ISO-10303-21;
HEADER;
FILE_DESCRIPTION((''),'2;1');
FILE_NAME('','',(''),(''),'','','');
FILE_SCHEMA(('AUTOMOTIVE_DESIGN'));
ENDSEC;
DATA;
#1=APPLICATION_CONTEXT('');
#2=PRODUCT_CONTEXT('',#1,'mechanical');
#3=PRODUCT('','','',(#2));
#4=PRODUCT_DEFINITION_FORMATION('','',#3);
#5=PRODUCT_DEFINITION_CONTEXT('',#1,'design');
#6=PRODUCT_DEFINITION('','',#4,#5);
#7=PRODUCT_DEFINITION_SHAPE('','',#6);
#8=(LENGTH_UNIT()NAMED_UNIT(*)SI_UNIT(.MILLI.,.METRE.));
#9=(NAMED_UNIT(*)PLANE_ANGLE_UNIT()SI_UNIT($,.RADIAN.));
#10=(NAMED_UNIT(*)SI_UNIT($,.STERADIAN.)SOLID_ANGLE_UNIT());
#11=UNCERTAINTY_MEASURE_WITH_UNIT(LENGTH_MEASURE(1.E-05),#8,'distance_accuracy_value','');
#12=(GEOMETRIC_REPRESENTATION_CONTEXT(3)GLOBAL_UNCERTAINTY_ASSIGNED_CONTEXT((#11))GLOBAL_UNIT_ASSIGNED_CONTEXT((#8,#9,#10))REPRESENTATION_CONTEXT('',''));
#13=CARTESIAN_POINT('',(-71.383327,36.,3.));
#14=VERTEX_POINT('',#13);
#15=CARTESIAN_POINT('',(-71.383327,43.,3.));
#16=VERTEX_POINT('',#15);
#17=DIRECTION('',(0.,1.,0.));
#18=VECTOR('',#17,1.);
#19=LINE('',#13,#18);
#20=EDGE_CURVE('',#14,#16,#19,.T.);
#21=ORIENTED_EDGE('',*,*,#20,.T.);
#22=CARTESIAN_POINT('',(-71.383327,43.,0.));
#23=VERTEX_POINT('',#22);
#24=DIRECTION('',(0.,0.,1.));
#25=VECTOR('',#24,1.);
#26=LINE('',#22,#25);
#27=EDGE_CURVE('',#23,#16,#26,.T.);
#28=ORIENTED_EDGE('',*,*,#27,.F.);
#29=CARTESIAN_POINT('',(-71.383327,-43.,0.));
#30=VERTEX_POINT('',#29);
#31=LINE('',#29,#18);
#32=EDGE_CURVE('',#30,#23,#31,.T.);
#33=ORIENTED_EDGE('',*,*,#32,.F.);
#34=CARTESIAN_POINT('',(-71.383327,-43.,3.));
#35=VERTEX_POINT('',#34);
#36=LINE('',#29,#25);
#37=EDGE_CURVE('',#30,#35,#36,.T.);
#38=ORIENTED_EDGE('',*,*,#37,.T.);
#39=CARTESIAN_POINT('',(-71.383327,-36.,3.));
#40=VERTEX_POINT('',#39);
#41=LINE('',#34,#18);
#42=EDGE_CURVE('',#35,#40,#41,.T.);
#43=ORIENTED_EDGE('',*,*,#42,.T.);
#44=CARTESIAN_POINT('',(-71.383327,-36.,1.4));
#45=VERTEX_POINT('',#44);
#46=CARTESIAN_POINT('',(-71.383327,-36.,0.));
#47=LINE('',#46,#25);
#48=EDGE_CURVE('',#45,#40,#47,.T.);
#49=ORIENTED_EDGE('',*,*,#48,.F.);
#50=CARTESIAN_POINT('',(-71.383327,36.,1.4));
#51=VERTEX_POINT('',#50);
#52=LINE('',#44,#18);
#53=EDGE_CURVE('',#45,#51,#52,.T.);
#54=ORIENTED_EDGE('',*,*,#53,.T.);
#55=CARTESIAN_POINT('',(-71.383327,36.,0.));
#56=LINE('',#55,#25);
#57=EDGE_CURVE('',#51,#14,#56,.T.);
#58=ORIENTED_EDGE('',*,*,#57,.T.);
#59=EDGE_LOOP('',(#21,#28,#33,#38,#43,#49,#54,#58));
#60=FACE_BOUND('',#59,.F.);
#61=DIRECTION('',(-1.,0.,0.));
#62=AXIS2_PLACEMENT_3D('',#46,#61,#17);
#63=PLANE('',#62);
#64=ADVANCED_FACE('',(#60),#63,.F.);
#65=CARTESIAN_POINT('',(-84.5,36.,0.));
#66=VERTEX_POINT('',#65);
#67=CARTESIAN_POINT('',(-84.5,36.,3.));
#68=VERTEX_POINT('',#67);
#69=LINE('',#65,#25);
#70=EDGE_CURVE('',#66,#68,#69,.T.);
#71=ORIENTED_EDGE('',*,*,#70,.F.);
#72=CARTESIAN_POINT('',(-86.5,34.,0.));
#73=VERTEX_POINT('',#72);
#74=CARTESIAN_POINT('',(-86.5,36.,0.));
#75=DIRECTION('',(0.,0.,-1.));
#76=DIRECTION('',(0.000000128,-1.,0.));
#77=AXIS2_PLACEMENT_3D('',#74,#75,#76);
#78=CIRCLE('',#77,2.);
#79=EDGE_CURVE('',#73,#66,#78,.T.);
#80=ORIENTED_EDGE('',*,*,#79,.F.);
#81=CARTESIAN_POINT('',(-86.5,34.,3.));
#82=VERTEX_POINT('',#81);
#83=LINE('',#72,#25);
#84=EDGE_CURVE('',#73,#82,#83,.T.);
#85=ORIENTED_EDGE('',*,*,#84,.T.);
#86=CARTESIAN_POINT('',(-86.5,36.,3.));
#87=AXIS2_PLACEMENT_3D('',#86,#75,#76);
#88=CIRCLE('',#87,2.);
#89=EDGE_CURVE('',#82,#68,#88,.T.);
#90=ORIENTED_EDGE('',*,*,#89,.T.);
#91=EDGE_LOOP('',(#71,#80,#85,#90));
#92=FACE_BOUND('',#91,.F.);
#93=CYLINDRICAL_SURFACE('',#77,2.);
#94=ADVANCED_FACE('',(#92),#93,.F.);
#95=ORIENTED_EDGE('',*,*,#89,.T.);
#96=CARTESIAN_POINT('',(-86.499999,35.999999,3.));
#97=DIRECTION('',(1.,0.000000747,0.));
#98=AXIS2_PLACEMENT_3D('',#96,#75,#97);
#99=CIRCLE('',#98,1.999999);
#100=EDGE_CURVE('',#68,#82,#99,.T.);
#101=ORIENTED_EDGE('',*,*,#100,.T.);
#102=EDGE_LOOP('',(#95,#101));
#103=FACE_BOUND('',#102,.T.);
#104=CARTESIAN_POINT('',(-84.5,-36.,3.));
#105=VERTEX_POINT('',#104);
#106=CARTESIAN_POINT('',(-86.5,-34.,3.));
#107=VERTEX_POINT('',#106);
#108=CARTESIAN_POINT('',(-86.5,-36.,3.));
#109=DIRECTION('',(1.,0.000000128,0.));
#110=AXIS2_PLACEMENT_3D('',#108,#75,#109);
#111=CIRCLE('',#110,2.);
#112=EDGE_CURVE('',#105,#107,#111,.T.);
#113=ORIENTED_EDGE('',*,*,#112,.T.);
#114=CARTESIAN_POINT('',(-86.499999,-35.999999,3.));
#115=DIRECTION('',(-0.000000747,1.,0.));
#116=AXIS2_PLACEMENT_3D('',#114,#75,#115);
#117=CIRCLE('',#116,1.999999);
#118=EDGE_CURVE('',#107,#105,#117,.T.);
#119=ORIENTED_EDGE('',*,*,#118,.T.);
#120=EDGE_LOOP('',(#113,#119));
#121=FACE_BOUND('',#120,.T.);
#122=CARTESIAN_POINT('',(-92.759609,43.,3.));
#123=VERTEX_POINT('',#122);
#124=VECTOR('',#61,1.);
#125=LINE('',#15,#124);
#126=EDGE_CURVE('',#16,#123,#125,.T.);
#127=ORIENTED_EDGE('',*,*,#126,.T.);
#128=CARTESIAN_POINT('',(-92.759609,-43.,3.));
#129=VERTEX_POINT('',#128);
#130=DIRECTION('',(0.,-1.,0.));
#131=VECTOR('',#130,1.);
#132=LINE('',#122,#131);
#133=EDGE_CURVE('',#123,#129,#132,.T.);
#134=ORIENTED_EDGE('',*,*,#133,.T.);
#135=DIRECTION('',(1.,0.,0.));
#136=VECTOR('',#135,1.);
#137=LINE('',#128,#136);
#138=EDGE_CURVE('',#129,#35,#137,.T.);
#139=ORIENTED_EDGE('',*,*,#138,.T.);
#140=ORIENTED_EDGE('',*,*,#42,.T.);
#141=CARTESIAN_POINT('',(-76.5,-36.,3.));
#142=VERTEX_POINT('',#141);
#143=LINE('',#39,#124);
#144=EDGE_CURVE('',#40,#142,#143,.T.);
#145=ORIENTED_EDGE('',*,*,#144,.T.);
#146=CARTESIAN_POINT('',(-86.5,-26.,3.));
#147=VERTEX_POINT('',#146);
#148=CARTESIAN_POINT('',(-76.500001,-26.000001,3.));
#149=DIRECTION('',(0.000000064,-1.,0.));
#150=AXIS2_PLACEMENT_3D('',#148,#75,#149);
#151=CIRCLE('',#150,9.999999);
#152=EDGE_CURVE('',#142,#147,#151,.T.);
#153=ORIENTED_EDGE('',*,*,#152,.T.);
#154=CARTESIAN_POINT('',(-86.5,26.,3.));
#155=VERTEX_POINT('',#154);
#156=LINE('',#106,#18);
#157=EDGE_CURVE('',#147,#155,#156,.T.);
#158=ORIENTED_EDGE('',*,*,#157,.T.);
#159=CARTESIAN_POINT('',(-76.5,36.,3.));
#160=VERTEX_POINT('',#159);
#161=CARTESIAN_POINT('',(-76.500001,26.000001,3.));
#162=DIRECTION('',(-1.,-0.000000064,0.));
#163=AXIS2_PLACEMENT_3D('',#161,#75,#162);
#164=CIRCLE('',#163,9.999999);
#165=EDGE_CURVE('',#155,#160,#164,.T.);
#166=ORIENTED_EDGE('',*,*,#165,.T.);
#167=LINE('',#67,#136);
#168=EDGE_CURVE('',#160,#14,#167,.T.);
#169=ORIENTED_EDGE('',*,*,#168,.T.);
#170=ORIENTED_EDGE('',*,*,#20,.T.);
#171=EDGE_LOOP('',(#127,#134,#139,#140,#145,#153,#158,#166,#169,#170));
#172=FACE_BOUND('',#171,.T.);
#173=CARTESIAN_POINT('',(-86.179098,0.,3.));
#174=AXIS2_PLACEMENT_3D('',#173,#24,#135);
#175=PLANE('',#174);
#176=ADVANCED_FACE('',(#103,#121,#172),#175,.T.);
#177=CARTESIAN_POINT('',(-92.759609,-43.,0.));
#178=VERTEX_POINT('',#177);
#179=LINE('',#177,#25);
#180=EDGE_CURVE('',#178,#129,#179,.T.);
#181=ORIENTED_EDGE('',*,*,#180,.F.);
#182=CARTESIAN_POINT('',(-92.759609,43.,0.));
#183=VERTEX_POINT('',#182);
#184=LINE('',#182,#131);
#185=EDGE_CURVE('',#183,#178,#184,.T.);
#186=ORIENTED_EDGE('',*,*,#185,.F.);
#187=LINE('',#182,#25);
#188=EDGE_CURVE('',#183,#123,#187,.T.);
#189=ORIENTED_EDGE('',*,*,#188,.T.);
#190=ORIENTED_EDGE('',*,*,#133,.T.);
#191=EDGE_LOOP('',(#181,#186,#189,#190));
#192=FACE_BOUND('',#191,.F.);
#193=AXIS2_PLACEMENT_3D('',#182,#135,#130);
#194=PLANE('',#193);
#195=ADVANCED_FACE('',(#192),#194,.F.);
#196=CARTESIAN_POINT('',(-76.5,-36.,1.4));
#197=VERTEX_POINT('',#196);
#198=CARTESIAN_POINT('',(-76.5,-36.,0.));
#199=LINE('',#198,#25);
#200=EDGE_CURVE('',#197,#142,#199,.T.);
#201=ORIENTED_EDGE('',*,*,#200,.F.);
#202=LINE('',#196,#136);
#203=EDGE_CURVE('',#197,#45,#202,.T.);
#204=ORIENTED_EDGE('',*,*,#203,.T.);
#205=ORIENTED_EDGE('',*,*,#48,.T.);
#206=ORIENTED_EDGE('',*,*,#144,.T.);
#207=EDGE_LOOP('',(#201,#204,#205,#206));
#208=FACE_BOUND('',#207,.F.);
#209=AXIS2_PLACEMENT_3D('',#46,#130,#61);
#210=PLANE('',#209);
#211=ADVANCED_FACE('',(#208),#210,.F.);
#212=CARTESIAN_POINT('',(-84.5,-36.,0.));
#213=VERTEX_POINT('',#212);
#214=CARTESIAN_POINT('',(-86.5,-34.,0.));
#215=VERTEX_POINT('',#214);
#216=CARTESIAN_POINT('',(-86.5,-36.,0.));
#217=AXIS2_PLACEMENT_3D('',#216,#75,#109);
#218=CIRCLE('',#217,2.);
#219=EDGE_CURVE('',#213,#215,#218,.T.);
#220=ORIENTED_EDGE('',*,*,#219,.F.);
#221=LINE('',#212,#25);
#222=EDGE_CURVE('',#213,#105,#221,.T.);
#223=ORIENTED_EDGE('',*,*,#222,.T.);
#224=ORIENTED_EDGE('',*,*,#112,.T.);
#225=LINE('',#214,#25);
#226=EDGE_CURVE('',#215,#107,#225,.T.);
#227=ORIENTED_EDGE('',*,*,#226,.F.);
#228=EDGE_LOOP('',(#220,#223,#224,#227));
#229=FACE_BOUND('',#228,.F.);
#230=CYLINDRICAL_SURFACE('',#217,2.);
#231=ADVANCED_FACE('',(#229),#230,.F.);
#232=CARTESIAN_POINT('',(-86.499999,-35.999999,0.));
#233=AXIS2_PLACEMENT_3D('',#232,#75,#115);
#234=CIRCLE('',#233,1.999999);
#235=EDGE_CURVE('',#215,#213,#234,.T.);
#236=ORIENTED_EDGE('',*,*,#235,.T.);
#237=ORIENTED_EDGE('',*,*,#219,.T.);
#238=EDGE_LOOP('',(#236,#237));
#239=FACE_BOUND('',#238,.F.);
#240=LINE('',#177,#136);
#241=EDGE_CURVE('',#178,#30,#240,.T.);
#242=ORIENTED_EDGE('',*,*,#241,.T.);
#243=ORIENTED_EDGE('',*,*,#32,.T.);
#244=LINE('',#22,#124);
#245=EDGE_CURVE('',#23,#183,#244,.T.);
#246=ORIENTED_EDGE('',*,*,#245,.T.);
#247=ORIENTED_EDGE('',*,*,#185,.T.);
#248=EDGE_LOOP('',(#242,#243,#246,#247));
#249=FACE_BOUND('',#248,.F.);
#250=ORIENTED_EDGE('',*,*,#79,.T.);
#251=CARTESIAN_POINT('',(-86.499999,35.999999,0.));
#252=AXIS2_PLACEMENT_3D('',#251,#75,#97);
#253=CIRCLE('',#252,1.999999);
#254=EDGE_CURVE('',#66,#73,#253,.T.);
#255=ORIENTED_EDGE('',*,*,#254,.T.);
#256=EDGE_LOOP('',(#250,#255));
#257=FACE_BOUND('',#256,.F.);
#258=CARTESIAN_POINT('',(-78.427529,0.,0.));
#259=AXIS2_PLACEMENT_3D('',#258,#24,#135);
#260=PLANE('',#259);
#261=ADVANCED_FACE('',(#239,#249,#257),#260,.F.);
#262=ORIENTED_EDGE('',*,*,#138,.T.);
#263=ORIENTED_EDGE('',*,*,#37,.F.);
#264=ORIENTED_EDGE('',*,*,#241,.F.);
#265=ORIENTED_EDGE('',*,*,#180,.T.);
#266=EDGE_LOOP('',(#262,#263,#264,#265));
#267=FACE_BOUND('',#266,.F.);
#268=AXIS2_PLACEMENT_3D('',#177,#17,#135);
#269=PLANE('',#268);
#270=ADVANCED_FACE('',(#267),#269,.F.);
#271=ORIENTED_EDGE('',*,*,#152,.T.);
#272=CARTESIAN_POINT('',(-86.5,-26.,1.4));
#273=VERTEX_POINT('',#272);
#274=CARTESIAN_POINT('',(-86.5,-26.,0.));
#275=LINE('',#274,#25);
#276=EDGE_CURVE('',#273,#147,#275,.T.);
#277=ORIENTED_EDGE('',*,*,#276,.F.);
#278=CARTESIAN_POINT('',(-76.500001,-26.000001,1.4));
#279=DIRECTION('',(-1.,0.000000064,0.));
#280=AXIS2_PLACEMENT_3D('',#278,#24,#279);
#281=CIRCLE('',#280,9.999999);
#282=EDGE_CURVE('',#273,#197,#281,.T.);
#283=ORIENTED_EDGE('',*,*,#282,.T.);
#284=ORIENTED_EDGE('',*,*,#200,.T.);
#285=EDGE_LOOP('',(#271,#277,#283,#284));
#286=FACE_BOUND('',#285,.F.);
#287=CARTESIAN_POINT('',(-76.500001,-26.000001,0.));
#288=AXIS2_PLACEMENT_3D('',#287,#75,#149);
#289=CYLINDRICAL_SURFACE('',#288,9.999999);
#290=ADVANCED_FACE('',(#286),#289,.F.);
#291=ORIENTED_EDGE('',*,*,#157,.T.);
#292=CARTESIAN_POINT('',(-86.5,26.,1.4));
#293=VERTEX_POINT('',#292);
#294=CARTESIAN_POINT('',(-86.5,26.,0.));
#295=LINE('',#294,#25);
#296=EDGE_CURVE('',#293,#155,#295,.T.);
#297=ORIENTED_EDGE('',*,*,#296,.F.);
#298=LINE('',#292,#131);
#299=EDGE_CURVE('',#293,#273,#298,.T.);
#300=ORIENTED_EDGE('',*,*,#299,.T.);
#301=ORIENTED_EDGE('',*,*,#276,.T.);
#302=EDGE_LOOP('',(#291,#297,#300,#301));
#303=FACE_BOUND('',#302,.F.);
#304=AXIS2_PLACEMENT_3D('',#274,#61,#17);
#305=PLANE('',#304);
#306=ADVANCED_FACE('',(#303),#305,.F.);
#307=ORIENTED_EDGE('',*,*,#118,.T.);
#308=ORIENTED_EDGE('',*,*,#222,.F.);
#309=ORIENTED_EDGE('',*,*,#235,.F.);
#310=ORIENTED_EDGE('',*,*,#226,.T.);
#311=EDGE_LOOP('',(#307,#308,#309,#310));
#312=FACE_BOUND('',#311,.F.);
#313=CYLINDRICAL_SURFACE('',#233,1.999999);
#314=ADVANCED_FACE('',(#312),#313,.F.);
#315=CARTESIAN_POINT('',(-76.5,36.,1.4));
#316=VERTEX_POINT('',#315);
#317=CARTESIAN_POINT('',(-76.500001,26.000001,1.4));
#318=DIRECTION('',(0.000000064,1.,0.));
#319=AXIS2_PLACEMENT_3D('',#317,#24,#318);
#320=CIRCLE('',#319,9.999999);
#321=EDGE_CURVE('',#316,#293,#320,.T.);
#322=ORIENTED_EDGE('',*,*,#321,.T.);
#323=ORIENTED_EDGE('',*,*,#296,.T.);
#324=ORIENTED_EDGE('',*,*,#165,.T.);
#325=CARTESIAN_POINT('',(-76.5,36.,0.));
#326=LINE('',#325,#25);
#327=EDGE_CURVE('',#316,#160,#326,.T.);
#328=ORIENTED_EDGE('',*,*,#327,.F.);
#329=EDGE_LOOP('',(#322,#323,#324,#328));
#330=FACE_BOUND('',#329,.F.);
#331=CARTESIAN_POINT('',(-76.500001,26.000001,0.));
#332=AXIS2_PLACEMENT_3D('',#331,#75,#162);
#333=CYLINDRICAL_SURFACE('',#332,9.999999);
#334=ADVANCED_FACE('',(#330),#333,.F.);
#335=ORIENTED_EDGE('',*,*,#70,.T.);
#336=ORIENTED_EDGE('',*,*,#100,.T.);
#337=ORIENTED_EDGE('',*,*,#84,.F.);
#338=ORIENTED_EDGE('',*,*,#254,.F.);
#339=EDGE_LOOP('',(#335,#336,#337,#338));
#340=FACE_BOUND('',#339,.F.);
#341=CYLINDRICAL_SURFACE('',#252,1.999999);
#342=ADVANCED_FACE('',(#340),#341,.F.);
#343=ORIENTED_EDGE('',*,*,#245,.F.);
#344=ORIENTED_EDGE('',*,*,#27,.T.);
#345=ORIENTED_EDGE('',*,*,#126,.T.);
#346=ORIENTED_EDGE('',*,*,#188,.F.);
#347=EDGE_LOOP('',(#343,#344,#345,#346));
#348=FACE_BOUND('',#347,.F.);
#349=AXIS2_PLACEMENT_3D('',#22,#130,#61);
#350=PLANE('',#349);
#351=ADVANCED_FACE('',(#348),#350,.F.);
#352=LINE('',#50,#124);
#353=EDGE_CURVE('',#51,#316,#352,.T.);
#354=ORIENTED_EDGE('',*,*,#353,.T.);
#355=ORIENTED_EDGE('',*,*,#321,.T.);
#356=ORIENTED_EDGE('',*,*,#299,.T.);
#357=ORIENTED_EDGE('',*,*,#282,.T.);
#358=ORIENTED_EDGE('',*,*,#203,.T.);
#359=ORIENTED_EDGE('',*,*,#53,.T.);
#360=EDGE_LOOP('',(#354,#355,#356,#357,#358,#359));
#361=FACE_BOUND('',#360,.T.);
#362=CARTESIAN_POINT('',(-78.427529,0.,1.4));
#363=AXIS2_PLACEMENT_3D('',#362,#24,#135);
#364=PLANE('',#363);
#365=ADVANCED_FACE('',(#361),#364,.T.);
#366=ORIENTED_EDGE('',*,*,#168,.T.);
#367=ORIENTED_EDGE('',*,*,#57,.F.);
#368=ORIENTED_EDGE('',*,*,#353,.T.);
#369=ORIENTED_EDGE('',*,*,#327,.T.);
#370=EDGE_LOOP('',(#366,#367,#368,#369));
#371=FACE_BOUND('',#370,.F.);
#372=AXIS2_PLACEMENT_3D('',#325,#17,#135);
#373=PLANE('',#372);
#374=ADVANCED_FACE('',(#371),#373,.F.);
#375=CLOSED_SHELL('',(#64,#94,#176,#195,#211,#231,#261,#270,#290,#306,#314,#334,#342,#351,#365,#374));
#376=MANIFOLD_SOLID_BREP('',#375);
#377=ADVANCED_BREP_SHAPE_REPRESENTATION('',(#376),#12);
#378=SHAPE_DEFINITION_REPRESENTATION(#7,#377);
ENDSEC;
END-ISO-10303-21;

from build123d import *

# Parameters (mm, degrees)
F1_DEPTH = 3
F2_DEPTH = 1.4


with BuildPart() as f1:
    # F0 (on Top) → F1 (new body)
    with BuildSketch(Plane.XY):
        with BuildLine():
            Line((-76.5, 36), (-71.383327, 36))
            Line((-71.383327, 36), (-71.383327, 43))
            Line((-71.383327, 43), (-92.759609, 43))
            Line((-92.759609, 43), (-92.759609, -43))
            Line((-92.759609, -43), (-71.383327, -43))
            Line((-71.383327, -43), (-71.383327, -36))
            Line((-71.383327, -36), (-76.5, -36))
            Line((-76.5, -36), (-84.5, -36))
            ThreePointArc((-84.5, -36), (-87.914214, -37.414214), (-86.5, -34))
            Line((-86.5, -34), (-86.5, -26))
            Line((-86.5, -26), (-86.5, 26))
            Line((-86.5, 26), (-86.5, 34))
            ThreePointArc((-86.5, 34), (-87.914214, 37.414214), (-84.5, 36))
            Line((-84.5, 36), (-76.5, 36))
        make_face()
        with BuildLine():
            ThreePointArc((-86.5, 26), (-83.571068, 33.071068), (-76.5, 36))
            Line((-76.5, 36), (-84.5, 36))
            ThreePointArc((-84.5, 36), (-85.085786, 34.585786), (-86.5, 34))
            Line((-86.5, 34), (-86.5, 26))
        make_face()
        with BuildLine():
            Line((-84.5, -36), (-76.5, -36))
            ThreePointArc((-76.5, -36), (-83.571068, -33.071068), (-86.5, -26))
            Line((-86.5, -26), (-86.5, -34))
            ThreePointArc((-86.5, -34), (-85.085786, -34.585786), (-84.5, -36))
        make_face()
    extrude(amount=F1_DEPTH)

    # F0 (on Top) → F2 (join)
    with BuildSketch(Plane.XY):
        with BuildLine():
            Line((-71.383327, -36), (-71.383327, 36))
            Line((-71.383327, 36), (-76.5, 36))
            ThreePointArc((-76.5, 36), (-83.571068, 33.071068), (-86.5, 26))
            Line((-86.5, 26), (-86.5, -26))
            ThreePointArc((-86.5, -26), (-83.571068, -33.071068), (-76.5, -36))
            Line((-76.5, -36), (-71.383327, -36))
        make_face()
    extrude(amount=F2_DEPTH)


solid = f1.part
